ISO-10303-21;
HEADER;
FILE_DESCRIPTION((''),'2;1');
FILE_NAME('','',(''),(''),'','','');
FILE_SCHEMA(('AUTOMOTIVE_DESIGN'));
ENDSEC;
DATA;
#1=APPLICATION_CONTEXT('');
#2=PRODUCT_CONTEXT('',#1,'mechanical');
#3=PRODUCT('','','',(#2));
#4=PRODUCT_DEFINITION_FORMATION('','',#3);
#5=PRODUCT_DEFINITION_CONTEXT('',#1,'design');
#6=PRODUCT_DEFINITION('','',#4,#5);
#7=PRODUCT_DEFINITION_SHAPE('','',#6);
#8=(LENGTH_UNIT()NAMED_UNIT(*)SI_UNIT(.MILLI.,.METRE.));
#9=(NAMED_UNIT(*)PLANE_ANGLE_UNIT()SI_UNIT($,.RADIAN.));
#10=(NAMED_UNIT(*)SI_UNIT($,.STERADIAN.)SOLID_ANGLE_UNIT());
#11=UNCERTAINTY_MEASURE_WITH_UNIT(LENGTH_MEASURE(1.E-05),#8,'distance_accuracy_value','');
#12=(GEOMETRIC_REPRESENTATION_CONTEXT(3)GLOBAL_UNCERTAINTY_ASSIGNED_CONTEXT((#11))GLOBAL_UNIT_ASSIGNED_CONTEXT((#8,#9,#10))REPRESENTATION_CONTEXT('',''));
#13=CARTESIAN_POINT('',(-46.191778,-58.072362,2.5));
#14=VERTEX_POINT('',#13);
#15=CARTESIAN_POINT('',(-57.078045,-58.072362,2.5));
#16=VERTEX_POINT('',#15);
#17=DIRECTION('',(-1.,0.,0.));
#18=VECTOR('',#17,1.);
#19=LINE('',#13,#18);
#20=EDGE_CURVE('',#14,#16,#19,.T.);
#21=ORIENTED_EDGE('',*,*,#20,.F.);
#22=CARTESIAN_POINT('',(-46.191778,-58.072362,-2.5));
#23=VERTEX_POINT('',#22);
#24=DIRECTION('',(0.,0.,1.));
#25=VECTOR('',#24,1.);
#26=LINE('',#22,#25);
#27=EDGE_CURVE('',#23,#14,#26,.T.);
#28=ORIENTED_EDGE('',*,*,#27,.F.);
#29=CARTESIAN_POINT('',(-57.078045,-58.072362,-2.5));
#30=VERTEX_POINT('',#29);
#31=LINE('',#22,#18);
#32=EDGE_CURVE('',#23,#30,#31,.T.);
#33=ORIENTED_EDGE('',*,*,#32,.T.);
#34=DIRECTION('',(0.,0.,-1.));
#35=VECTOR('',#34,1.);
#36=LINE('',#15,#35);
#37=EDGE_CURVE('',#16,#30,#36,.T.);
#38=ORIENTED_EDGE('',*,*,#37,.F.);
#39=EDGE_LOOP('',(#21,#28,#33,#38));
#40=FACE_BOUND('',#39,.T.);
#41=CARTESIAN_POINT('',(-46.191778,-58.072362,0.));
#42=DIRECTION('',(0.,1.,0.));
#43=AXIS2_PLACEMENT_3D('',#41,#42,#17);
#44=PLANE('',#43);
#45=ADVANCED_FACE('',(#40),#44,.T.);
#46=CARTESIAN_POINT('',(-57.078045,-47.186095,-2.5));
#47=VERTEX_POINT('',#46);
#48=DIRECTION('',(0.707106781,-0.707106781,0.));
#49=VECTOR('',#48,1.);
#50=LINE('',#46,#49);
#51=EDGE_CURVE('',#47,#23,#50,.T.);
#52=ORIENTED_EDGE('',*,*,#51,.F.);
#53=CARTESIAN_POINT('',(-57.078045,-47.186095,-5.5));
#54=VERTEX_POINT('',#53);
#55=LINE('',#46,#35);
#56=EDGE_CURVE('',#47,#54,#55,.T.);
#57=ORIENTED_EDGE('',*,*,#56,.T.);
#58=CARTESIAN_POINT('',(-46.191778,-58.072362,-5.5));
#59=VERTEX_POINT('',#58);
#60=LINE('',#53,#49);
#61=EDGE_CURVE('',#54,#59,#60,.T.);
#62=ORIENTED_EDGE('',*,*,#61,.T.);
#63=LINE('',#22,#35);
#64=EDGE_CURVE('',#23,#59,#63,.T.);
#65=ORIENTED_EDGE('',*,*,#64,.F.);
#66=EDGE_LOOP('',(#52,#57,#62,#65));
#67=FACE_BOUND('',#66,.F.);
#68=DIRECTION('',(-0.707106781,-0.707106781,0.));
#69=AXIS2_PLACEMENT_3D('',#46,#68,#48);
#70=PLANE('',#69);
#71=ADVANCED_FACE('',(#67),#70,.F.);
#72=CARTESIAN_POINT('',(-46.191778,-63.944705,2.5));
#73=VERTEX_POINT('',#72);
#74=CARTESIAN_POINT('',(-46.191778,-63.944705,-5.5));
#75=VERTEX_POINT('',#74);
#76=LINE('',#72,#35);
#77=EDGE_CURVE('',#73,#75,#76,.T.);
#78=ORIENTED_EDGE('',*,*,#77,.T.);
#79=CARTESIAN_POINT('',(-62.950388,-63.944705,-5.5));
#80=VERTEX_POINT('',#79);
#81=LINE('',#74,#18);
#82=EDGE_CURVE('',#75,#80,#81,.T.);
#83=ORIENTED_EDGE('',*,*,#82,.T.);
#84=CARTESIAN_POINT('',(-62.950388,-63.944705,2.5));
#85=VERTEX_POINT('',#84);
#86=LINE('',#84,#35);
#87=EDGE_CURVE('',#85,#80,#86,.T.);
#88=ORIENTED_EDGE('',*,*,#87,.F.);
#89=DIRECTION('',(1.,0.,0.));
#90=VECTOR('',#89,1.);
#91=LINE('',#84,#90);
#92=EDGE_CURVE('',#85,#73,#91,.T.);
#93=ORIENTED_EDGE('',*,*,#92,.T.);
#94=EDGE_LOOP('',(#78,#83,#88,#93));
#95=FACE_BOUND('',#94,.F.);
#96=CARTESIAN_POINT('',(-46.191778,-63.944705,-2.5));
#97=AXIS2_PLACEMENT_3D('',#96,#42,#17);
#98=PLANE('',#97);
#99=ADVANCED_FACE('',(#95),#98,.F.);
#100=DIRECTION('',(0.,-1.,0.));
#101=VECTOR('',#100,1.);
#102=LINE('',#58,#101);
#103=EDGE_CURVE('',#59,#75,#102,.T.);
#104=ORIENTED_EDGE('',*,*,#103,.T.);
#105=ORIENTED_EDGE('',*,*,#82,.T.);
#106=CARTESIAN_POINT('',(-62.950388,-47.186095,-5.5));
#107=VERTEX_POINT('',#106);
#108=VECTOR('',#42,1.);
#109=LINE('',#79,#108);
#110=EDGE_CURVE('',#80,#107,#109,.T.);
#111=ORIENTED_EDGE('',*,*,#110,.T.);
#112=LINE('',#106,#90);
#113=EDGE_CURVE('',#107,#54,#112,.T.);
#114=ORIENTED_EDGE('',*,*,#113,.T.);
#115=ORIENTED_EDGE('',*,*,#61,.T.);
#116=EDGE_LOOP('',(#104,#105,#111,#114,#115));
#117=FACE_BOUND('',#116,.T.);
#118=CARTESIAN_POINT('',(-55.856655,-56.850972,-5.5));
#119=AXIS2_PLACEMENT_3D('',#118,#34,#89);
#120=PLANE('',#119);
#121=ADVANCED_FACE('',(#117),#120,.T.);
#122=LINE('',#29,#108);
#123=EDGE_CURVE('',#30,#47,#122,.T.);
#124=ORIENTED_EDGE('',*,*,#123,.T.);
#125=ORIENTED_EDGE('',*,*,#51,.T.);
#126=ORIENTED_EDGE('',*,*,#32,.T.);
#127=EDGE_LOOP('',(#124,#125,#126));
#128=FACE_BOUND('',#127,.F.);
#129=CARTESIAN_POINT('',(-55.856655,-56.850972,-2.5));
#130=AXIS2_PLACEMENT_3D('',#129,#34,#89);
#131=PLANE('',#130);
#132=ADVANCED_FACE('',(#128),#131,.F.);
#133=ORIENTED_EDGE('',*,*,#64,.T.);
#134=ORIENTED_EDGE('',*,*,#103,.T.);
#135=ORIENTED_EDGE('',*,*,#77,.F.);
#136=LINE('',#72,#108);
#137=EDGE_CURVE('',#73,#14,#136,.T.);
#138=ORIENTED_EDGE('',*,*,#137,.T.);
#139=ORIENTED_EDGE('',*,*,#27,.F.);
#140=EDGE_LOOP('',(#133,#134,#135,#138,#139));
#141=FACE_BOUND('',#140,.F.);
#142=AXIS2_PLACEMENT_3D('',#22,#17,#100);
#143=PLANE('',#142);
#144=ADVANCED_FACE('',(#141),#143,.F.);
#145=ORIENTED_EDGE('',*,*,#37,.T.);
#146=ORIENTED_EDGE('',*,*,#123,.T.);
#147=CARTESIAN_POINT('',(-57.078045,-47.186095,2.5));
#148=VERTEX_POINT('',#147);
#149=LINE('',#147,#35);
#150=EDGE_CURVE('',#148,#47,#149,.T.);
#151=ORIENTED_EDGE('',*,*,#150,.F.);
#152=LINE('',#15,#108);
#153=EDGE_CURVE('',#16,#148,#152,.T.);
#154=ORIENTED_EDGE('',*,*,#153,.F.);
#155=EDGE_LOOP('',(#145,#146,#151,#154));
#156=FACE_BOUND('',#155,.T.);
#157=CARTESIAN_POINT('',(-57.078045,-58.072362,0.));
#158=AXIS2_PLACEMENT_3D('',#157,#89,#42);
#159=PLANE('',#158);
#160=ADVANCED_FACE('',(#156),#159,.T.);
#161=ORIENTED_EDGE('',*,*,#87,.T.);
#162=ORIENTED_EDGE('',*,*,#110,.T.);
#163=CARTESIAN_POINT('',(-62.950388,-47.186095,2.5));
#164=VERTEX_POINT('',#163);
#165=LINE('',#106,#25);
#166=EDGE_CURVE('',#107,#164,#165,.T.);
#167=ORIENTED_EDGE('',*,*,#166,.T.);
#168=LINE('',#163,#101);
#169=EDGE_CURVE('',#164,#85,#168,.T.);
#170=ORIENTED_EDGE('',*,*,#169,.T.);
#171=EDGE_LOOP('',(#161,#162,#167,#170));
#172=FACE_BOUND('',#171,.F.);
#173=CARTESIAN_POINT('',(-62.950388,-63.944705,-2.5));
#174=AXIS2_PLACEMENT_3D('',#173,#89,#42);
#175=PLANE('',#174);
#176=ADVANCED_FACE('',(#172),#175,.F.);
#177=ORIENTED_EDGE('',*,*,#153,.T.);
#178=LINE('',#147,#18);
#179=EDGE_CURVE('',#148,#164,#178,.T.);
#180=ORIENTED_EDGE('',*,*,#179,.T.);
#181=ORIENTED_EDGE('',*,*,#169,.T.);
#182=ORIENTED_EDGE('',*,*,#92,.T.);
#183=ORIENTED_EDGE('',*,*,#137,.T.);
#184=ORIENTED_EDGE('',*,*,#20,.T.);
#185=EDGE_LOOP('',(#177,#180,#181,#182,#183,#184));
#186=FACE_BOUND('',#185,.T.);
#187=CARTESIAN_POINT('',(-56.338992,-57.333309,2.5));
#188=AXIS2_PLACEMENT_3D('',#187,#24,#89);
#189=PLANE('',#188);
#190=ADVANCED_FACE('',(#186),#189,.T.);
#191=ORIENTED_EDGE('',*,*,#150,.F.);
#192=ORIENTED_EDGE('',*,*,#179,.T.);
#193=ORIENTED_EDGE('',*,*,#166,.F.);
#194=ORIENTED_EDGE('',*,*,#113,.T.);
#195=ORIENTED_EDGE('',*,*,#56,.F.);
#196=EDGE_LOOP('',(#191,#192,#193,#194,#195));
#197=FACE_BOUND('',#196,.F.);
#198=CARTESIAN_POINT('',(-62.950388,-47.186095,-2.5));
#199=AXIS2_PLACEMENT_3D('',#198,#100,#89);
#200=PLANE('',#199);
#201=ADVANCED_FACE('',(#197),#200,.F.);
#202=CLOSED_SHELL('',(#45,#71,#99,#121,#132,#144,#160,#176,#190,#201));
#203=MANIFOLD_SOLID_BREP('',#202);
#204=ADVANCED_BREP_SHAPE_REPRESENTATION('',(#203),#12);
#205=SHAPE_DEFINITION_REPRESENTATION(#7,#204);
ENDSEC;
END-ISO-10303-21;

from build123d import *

# Parameters (mm, degrees)
F1_DEPTH = 2.5
F3_DEPTH = 3


with BuildPart() as f1:
    # F0 (on Top) → F1 (new body, symmetric)
    with BuildSketch(Plane.XY):
        Polygon((-62.950388, -47.186095), (-62.950388, -63.944705), (-46.191778, -63.944705), (-46.191778, -58.072362), (-57.078045, -58.072362), (-57.078045, -47.186095), align=None)
    extrude(amount=F1_DEPTH, both=True)

    # F2 (on face) → F3 (join)
    with BuildSketch(Plane(origin=(0, 0, -2.5), x_dir=(1, 0, 0), z_dir=(0, 0, -1))):
        Polygon((-46.191778, 58.072362), (-46.191778, 63.944705), (-62.950388, 63.944705), (-62.950388, 47.186095), (-57.078045, 47.186095), align=None)
    extrude(amount=F3_DEPTH)


solid = f1.part
